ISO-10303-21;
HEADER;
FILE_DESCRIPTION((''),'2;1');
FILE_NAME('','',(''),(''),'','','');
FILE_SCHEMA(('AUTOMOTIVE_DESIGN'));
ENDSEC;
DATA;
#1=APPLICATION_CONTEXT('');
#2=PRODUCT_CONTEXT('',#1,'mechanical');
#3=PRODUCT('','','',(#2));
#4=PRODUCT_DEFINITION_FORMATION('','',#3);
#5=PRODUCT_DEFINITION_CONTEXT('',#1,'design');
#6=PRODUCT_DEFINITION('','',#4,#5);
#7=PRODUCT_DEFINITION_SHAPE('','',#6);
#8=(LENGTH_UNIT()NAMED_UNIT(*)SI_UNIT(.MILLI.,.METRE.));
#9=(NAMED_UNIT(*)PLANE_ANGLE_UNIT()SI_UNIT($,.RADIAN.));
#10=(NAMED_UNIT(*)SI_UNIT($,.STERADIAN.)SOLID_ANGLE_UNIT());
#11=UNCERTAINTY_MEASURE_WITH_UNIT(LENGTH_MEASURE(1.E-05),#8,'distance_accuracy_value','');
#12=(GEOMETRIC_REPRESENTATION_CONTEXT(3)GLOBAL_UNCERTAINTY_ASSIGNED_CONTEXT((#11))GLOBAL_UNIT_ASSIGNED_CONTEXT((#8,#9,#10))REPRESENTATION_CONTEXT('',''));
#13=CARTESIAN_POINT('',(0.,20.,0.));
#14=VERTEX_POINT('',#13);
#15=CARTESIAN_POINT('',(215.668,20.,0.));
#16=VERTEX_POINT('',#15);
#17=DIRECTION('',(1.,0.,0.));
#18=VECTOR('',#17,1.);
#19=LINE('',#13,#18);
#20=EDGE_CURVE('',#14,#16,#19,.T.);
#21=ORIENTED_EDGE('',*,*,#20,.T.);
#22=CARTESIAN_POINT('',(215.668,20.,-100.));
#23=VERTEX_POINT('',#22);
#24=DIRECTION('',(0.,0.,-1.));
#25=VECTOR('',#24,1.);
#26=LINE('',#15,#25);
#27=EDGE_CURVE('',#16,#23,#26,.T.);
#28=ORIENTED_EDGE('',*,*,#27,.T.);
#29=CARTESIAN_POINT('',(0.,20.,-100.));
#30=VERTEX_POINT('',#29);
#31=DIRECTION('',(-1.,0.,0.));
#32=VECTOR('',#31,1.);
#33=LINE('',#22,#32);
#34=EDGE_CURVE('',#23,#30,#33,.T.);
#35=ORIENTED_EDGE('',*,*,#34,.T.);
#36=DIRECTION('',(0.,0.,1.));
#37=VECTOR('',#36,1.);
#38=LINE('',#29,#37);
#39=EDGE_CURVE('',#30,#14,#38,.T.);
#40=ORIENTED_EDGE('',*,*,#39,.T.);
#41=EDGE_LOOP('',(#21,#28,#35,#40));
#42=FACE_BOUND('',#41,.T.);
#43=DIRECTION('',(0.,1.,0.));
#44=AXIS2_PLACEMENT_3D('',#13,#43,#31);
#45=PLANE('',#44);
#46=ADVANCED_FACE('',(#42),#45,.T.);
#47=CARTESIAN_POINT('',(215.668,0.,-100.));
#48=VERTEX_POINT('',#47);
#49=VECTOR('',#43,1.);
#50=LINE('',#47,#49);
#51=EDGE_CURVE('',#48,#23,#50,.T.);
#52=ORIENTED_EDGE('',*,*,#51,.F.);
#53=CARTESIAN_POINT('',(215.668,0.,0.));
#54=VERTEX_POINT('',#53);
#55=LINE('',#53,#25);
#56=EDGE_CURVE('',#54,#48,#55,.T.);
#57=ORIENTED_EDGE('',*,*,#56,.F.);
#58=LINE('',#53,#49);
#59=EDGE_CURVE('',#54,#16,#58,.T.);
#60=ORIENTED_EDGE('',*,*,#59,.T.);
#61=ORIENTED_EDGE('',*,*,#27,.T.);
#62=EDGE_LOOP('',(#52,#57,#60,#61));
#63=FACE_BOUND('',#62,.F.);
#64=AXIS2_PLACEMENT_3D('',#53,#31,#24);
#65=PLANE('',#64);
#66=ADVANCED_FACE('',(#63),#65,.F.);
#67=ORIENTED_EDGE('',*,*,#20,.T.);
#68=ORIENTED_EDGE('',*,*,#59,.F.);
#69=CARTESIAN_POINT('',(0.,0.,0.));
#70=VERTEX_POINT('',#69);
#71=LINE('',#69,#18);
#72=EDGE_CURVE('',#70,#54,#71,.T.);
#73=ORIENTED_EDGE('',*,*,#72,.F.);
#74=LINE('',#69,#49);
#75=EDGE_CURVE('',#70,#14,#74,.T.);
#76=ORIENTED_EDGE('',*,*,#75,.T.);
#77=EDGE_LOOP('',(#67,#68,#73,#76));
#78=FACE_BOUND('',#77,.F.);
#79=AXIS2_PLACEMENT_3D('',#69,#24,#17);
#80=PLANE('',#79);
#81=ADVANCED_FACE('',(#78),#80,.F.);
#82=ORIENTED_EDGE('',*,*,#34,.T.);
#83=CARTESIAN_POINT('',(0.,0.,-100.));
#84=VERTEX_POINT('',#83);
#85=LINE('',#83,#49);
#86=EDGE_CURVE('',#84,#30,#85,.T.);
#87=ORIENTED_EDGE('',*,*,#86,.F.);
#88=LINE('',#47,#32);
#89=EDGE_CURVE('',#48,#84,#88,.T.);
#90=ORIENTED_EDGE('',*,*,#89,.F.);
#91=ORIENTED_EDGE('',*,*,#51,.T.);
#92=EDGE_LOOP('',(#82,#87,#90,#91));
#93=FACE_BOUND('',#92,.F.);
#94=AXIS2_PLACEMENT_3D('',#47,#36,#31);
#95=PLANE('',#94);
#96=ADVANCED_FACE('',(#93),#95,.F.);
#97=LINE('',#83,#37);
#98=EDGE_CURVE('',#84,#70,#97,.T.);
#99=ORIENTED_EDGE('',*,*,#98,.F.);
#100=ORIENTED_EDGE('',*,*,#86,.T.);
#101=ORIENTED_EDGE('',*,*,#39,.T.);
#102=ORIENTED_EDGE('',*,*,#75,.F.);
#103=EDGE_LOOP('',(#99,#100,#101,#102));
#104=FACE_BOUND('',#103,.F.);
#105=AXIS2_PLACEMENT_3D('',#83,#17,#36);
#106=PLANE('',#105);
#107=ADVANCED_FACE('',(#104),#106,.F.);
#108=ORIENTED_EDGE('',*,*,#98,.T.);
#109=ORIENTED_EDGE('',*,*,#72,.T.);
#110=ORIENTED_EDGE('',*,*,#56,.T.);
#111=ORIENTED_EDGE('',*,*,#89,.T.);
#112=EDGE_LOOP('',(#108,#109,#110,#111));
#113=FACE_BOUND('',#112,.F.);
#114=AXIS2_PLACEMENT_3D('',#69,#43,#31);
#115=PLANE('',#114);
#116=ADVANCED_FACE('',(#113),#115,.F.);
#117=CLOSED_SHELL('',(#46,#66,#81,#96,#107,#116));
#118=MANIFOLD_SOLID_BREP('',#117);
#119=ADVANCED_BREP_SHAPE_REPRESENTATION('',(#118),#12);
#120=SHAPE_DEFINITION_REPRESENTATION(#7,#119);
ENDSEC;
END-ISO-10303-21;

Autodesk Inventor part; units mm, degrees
ref_plane "YZ Plane" through (0, 0, 0) normal (1, 0, 0) x (0, 1, 0)
ref_plane "XZ Plane" through (0, 0, 0) normal (0, 1, 0) x (-1, 0, 0)
ref_plane "XY Plane" through (0, 0, 0) normal (0, 0, 1) x (1, 0, 0)
sketch "Sketch2" plane through (0, 0, 0) normal (0, 1, 0) x (-1, 0, 0)
  line L0 (0, 0) -> (-215.668, 0)
  line L1 (-215.668, 0) -> (-215.668, -100)
  line L2 (-215.668, -100) -> (0, -100)
  line L3 (0, -100) -> (0, 0)
  dimension "d0" = 215.668
  dimension "d1" = 100
extrude "Extrusion1" add sketch "Sketch2" along normal blind 20
properties part number "GlassHolder" material "Wood (Birch)"
